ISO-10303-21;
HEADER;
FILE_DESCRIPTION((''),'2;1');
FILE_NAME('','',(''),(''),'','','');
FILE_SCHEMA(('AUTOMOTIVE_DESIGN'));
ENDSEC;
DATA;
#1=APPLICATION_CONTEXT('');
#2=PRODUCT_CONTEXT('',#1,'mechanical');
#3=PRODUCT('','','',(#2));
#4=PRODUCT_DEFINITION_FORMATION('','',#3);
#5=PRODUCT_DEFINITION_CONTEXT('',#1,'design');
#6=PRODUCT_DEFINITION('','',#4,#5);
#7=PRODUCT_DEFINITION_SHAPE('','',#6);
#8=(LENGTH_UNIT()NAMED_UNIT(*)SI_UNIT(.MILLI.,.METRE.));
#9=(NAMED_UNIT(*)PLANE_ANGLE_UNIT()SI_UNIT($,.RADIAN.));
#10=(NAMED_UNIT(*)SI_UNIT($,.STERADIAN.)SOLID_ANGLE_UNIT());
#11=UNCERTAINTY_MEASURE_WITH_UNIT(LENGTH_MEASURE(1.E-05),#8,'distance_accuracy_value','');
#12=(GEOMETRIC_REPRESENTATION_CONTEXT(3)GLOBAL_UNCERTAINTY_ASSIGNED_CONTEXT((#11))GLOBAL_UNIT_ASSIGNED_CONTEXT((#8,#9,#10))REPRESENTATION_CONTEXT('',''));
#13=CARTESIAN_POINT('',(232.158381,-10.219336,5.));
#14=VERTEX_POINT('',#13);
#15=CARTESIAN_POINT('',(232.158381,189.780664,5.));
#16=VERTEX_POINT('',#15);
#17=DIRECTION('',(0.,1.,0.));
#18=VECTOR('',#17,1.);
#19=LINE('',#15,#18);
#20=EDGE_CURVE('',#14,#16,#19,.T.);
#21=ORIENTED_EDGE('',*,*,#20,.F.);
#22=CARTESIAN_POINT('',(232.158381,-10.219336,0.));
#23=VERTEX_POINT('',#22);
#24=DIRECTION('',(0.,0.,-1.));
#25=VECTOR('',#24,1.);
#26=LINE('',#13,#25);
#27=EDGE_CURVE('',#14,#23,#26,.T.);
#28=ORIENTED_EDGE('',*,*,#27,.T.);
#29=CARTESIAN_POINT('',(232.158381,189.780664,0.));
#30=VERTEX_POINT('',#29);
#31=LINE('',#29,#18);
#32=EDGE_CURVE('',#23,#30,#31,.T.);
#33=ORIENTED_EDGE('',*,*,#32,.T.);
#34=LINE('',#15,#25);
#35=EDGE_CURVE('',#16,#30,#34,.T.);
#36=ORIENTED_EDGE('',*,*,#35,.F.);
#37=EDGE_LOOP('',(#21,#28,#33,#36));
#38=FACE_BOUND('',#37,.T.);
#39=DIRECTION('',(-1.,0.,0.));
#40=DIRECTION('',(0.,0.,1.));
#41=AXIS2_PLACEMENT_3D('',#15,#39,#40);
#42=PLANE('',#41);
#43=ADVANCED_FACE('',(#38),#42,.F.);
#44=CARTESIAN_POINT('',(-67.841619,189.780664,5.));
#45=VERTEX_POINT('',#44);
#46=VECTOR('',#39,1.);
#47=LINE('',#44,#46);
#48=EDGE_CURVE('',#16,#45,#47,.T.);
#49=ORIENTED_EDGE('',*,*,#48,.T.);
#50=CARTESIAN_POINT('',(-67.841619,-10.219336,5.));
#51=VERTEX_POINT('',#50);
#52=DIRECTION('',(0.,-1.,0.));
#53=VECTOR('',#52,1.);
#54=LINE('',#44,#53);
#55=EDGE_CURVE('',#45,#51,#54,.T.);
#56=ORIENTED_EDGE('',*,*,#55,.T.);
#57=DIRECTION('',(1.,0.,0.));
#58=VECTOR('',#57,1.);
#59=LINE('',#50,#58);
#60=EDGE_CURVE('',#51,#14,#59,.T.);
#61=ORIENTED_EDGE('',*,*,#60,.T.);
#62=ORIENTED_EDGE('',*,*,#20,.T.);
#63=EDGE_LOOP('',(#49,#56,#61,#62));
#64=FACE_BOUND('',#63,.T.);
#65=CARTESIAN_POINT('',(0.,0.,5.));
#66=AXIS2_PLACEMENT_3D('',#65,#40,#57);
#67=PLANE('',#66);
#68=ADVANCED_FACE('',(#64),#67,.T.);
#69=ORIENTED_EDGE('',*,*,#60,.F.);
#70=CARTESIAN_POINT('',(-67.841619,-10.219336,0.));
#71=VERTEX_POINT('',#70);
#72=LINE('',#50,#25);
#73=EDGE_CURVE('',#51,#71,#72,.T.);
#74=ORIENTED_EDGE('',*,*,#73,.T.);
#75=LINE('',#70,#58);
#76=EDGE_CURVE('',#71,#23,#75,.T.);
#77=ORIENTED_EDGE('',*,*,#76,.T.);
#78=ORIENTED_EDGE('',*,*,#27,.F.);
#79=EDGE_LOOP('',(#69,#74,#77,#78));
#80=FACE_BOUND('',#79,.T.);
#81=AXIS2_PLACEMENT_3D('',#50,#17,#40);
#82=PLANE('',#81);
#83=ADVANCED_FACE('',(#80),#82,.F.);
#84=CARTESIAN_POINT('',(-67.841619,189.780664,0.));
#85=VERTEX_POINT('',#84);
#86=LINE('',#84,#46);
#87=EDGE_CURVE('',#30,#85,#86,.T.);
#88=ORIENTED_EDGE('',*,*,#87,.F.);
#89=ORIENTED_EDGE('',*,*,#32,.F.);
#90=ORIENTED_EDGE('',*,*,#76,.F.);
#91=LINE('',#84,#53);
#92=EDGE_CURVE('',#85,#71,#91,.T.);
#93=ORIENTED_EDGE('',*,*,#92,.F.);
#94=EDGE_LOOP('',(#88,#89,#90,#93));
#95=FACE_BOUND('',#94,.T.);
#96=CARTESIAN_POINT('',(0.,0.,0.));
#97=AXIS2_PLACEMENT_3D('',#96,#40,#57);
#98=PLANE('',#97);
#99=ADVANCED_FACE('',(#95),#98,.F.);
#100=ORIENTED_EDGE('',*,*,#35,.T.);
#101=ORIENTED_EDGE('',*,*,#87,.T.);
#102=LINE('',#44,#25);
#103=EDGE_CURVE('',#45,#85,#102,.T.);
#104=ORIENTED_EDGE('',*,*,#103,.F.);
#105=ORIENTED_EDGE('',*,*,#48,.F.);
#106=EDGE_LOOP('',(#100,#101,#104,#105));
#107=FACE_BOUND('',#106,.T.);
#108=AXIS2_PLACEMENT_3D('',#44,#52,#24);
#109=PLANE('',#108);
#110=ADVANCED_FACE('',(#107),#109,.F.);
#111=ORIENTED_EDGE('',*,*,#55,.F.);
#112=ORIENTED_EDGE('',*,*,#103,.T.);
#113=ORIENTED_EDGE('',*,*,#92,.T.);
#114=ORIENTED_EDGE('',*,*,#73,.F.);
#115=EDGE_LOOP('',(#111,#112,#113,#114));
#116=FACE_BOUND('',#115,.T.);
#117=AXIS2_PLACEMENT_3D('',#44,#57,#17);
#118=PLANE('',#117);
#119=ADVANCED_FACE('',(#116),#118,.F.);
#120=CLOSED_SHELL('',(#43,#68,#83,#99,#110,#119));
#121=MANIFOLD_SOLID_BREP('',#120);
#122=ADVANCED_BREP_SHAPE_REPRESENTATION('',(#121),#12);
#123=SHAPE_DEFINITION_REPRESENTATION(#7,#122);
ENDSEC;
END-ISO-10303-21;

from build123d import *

# Parameters (mm, degrees)
ESQUISSE2_W        = 300
ESQUISSE2_H        = 200
BOSS_EXTRU_1_DEPTH = 5


with BuildPart() as part:
    # Esquisse2 → Boss.-Extru.1 (new body)
    with BuildSketch(Plane.XY):
        with Locations((82.158380627, 89.780663506)):
            Rectangle(ESQUISSE2_W, ESQUISSE2_H)
    extrude(amount=BOSS_EXTRU_1_DEPTH)


solid = part.part
